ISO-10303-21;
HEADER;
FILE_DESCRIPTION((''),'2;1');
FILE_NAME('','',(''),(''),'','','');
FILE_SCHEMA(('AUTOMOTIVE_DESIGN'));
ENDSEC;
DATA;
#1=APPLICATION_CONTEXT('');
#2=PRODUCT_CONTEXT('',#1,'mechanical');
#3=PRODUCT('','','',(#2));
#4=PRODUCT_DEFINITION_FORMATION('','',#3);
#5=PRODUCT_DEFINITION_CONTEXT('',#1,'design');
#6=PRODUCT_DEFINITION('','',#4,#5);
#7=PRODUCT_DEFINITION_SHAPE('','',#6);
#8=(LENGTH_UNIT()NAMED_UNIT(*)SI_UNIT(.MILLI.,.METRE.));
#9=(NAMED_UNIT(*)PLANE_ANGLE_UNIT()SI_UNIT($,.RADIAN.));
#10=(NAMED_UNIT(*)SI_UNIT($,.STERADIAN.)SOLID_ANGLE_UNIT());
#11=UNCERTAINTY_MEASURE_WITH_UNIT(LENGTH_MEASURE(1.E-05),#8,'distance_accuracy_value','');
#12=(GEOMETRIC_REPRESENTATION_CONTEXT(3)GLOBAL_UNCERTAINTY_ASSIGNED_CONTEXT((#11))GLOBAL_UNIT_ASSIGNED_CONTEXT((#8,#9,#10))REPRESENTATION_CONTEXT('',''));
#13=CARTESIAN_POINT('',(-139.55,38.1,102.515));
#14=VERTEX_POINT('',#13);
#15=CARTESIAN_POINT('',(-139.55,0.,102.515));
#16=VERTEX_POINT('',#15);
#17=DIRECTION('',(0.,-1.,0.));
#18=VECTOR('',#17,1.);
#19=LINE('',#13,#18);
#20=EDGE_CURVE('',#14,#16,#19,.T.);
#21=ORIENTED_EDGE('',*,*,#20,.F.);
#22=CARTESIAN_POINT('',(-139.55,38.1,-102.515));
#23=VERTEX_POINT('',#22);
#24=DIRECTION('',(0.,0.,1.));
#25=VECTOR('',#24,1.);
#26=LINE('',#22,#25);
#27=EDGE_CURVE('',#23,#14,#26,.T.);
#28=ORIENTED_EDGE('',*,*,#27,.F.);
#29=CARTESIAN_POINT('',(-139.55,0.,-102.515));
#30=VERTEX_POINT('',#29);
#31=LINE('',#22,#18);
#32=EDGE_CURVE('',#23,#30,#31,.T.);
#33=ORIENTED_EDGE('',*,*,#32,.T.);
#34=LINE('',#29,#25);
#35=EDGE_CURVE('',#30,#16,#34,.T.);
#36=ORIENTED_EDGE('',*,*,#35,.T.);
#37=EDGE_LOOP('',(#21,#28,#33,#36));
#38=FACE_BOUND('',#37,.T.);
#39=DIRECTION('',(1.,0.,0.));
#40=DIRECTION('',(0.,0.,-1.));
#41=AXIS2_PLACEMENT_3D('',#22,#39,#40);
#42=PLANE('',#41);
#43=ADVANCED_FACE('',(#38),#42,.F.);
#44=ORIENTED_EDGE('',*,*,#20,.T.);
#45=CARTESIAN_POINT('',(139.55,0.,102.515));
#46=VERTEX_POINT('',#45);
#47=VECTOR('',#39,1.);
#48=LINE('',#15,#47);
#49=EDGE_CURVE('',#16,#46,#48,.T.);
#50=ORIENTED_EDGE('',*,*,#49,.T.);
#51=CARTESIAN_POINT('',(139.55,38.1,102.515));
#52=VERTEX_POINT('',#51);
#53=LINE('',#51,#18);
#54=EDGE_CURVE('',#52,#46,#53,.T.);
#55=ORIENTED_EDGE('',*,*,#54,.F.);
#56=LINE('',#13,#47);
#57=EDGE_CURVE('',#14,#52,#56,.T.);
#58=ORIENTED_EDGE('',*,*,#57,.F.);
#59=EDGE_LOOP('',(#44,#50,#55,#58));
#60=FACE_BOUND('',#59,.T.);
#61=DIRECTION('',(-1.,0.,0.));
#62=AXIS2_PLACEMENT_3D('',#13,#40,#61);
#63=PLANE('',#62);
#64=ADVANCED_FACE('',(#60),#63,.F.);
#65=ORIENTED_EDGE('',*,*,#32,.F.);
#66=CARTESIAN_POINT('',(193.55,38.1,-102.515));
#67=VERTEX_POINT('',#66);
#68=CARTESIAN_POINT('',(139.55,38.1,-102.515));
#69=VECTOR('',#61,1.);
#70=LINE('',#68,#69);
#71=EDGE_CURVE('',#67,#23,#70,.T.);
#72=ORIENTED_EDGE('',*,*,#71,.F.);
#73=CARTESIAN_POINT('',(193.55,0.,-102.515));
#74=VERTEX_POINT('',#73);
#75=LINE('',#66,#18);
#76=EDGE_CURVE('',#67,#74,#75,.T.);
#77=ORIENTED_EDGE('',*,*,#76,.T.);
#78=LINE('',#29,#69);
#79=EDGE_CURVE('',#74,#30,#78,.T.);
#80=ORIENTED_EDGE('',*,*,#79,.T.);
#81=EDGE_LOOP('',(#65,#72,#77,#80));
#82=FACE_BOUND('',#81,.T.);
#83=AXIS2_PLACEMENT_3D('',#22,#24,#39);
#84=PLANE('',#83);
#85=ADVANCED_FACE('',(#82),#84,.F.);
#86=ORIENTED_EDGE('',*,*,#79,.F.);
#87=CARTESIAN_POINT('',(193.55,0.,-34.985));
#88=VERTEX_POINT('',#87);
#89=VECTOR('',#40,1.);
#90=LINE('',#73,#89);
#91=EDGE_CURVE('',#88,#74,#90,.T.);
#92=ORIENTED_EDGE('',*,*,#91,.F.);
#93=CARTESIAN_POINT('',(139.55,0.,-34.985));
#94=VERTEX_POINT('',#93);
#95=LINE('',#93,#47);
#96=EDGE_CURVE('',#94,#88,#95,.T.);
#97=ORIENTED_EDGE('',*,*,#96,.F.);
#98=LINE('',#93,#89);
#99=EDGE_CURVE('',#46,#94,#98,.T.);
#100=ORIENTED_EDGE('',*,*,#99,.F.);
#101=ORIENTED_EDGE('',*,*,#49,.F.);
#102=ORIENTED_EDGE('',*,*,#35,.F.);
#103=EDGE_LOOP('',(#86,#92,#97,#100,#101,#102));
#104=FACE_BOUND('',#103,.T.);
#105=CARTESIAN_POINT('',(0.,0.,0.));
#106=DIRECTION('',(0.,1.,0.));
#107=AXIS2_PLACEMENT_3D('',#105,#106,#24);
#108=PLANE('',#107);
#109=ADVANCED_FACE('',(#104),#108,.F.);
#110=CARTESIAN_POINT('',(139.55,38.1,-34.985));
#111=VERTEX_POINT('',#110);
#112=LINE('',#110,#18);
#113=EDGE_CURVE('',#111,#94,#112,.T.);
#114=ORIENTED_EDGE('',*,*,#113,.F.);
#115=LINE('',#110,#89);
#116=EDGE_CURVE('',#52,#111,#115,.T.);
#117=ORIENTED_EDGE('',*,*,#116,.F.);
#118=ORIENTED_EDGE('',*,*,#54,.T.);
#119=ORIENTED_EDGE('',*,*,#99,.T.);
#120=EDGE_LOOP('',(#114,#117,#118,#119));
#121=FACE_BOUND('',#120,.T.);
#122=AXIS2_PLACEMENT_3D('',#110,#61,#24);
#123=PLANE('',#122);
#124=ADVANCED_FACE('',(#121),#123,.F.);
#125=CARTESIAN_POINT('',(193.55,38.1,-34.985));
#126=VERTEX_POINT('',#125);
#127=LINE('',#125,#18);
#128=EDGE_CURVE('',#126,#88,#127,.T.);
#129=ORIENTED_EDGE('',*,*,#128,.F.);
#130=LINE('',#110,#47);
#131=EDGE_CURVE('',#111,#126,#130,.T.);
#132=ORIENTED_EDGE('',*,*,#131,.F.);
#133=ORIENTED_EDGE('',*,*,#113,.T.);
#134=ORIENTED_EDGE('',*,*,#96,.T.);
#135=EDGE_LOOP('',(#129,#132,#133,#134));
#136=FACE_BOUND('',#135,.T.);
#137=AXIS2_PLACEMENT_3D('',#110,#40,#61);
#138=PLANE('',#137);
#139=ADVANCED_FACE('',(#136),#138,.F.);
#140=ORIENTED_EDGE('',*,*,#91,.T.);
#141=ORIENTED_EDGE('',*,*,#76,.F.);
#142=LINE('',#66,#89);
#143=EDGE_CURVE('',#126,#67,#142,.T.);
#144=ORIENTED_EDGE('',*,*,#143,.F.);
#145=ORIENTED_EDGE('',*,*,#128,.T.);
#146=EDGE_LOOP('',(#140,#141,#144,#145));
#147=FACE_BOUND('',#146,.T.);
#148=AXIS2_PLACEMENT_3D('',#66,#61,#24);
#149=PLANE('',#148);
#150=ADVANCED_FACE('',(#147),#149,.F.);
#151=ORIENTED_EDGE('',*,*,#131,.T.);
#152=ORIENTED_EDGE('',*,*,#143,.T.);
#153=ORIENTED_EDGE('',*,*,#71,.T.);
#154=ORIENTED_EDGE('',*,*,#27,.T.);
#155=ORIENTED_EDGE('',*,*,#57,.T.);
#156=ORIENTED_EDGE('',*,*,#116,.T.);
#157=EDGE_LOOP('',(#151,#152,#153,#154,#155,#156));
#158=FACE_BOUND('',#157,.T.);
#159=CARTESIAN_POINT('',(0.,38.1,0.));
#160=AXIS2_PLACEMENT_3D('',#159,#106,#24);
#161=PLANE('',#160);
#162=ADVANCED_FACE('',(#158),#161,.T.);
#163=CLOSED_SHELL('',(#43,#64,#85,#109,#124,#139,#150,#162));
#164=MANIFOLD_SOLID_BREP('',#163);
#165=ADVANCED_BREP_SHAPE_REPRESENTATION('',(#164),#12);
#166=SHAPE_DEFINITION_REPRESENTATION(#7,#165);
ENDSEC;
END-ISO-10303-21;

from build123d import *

# Parameters (mm, degrees)
BOSS_EXTRUDE1_DEPTH = 38.1


with BuildPart() as part:
    # Sketch1 → Boss-Extrude1 (new body)
    with BuildSketch(Plane(origin=(0, 0, 0), x_dir=(1, 0, 0), z_dir=(0, 1, 0))):
        Polygon((-139.55, 102.515), (139.55, 102.515), (193.55, 102.515), (193.55, 34.985), (139.55, 34.985), (139.55, -102.515), (-139.55, -102.515), align=None)
    extrude(amount=BOSS_EXTRUDE1_DEPTH)


solid = part.part
